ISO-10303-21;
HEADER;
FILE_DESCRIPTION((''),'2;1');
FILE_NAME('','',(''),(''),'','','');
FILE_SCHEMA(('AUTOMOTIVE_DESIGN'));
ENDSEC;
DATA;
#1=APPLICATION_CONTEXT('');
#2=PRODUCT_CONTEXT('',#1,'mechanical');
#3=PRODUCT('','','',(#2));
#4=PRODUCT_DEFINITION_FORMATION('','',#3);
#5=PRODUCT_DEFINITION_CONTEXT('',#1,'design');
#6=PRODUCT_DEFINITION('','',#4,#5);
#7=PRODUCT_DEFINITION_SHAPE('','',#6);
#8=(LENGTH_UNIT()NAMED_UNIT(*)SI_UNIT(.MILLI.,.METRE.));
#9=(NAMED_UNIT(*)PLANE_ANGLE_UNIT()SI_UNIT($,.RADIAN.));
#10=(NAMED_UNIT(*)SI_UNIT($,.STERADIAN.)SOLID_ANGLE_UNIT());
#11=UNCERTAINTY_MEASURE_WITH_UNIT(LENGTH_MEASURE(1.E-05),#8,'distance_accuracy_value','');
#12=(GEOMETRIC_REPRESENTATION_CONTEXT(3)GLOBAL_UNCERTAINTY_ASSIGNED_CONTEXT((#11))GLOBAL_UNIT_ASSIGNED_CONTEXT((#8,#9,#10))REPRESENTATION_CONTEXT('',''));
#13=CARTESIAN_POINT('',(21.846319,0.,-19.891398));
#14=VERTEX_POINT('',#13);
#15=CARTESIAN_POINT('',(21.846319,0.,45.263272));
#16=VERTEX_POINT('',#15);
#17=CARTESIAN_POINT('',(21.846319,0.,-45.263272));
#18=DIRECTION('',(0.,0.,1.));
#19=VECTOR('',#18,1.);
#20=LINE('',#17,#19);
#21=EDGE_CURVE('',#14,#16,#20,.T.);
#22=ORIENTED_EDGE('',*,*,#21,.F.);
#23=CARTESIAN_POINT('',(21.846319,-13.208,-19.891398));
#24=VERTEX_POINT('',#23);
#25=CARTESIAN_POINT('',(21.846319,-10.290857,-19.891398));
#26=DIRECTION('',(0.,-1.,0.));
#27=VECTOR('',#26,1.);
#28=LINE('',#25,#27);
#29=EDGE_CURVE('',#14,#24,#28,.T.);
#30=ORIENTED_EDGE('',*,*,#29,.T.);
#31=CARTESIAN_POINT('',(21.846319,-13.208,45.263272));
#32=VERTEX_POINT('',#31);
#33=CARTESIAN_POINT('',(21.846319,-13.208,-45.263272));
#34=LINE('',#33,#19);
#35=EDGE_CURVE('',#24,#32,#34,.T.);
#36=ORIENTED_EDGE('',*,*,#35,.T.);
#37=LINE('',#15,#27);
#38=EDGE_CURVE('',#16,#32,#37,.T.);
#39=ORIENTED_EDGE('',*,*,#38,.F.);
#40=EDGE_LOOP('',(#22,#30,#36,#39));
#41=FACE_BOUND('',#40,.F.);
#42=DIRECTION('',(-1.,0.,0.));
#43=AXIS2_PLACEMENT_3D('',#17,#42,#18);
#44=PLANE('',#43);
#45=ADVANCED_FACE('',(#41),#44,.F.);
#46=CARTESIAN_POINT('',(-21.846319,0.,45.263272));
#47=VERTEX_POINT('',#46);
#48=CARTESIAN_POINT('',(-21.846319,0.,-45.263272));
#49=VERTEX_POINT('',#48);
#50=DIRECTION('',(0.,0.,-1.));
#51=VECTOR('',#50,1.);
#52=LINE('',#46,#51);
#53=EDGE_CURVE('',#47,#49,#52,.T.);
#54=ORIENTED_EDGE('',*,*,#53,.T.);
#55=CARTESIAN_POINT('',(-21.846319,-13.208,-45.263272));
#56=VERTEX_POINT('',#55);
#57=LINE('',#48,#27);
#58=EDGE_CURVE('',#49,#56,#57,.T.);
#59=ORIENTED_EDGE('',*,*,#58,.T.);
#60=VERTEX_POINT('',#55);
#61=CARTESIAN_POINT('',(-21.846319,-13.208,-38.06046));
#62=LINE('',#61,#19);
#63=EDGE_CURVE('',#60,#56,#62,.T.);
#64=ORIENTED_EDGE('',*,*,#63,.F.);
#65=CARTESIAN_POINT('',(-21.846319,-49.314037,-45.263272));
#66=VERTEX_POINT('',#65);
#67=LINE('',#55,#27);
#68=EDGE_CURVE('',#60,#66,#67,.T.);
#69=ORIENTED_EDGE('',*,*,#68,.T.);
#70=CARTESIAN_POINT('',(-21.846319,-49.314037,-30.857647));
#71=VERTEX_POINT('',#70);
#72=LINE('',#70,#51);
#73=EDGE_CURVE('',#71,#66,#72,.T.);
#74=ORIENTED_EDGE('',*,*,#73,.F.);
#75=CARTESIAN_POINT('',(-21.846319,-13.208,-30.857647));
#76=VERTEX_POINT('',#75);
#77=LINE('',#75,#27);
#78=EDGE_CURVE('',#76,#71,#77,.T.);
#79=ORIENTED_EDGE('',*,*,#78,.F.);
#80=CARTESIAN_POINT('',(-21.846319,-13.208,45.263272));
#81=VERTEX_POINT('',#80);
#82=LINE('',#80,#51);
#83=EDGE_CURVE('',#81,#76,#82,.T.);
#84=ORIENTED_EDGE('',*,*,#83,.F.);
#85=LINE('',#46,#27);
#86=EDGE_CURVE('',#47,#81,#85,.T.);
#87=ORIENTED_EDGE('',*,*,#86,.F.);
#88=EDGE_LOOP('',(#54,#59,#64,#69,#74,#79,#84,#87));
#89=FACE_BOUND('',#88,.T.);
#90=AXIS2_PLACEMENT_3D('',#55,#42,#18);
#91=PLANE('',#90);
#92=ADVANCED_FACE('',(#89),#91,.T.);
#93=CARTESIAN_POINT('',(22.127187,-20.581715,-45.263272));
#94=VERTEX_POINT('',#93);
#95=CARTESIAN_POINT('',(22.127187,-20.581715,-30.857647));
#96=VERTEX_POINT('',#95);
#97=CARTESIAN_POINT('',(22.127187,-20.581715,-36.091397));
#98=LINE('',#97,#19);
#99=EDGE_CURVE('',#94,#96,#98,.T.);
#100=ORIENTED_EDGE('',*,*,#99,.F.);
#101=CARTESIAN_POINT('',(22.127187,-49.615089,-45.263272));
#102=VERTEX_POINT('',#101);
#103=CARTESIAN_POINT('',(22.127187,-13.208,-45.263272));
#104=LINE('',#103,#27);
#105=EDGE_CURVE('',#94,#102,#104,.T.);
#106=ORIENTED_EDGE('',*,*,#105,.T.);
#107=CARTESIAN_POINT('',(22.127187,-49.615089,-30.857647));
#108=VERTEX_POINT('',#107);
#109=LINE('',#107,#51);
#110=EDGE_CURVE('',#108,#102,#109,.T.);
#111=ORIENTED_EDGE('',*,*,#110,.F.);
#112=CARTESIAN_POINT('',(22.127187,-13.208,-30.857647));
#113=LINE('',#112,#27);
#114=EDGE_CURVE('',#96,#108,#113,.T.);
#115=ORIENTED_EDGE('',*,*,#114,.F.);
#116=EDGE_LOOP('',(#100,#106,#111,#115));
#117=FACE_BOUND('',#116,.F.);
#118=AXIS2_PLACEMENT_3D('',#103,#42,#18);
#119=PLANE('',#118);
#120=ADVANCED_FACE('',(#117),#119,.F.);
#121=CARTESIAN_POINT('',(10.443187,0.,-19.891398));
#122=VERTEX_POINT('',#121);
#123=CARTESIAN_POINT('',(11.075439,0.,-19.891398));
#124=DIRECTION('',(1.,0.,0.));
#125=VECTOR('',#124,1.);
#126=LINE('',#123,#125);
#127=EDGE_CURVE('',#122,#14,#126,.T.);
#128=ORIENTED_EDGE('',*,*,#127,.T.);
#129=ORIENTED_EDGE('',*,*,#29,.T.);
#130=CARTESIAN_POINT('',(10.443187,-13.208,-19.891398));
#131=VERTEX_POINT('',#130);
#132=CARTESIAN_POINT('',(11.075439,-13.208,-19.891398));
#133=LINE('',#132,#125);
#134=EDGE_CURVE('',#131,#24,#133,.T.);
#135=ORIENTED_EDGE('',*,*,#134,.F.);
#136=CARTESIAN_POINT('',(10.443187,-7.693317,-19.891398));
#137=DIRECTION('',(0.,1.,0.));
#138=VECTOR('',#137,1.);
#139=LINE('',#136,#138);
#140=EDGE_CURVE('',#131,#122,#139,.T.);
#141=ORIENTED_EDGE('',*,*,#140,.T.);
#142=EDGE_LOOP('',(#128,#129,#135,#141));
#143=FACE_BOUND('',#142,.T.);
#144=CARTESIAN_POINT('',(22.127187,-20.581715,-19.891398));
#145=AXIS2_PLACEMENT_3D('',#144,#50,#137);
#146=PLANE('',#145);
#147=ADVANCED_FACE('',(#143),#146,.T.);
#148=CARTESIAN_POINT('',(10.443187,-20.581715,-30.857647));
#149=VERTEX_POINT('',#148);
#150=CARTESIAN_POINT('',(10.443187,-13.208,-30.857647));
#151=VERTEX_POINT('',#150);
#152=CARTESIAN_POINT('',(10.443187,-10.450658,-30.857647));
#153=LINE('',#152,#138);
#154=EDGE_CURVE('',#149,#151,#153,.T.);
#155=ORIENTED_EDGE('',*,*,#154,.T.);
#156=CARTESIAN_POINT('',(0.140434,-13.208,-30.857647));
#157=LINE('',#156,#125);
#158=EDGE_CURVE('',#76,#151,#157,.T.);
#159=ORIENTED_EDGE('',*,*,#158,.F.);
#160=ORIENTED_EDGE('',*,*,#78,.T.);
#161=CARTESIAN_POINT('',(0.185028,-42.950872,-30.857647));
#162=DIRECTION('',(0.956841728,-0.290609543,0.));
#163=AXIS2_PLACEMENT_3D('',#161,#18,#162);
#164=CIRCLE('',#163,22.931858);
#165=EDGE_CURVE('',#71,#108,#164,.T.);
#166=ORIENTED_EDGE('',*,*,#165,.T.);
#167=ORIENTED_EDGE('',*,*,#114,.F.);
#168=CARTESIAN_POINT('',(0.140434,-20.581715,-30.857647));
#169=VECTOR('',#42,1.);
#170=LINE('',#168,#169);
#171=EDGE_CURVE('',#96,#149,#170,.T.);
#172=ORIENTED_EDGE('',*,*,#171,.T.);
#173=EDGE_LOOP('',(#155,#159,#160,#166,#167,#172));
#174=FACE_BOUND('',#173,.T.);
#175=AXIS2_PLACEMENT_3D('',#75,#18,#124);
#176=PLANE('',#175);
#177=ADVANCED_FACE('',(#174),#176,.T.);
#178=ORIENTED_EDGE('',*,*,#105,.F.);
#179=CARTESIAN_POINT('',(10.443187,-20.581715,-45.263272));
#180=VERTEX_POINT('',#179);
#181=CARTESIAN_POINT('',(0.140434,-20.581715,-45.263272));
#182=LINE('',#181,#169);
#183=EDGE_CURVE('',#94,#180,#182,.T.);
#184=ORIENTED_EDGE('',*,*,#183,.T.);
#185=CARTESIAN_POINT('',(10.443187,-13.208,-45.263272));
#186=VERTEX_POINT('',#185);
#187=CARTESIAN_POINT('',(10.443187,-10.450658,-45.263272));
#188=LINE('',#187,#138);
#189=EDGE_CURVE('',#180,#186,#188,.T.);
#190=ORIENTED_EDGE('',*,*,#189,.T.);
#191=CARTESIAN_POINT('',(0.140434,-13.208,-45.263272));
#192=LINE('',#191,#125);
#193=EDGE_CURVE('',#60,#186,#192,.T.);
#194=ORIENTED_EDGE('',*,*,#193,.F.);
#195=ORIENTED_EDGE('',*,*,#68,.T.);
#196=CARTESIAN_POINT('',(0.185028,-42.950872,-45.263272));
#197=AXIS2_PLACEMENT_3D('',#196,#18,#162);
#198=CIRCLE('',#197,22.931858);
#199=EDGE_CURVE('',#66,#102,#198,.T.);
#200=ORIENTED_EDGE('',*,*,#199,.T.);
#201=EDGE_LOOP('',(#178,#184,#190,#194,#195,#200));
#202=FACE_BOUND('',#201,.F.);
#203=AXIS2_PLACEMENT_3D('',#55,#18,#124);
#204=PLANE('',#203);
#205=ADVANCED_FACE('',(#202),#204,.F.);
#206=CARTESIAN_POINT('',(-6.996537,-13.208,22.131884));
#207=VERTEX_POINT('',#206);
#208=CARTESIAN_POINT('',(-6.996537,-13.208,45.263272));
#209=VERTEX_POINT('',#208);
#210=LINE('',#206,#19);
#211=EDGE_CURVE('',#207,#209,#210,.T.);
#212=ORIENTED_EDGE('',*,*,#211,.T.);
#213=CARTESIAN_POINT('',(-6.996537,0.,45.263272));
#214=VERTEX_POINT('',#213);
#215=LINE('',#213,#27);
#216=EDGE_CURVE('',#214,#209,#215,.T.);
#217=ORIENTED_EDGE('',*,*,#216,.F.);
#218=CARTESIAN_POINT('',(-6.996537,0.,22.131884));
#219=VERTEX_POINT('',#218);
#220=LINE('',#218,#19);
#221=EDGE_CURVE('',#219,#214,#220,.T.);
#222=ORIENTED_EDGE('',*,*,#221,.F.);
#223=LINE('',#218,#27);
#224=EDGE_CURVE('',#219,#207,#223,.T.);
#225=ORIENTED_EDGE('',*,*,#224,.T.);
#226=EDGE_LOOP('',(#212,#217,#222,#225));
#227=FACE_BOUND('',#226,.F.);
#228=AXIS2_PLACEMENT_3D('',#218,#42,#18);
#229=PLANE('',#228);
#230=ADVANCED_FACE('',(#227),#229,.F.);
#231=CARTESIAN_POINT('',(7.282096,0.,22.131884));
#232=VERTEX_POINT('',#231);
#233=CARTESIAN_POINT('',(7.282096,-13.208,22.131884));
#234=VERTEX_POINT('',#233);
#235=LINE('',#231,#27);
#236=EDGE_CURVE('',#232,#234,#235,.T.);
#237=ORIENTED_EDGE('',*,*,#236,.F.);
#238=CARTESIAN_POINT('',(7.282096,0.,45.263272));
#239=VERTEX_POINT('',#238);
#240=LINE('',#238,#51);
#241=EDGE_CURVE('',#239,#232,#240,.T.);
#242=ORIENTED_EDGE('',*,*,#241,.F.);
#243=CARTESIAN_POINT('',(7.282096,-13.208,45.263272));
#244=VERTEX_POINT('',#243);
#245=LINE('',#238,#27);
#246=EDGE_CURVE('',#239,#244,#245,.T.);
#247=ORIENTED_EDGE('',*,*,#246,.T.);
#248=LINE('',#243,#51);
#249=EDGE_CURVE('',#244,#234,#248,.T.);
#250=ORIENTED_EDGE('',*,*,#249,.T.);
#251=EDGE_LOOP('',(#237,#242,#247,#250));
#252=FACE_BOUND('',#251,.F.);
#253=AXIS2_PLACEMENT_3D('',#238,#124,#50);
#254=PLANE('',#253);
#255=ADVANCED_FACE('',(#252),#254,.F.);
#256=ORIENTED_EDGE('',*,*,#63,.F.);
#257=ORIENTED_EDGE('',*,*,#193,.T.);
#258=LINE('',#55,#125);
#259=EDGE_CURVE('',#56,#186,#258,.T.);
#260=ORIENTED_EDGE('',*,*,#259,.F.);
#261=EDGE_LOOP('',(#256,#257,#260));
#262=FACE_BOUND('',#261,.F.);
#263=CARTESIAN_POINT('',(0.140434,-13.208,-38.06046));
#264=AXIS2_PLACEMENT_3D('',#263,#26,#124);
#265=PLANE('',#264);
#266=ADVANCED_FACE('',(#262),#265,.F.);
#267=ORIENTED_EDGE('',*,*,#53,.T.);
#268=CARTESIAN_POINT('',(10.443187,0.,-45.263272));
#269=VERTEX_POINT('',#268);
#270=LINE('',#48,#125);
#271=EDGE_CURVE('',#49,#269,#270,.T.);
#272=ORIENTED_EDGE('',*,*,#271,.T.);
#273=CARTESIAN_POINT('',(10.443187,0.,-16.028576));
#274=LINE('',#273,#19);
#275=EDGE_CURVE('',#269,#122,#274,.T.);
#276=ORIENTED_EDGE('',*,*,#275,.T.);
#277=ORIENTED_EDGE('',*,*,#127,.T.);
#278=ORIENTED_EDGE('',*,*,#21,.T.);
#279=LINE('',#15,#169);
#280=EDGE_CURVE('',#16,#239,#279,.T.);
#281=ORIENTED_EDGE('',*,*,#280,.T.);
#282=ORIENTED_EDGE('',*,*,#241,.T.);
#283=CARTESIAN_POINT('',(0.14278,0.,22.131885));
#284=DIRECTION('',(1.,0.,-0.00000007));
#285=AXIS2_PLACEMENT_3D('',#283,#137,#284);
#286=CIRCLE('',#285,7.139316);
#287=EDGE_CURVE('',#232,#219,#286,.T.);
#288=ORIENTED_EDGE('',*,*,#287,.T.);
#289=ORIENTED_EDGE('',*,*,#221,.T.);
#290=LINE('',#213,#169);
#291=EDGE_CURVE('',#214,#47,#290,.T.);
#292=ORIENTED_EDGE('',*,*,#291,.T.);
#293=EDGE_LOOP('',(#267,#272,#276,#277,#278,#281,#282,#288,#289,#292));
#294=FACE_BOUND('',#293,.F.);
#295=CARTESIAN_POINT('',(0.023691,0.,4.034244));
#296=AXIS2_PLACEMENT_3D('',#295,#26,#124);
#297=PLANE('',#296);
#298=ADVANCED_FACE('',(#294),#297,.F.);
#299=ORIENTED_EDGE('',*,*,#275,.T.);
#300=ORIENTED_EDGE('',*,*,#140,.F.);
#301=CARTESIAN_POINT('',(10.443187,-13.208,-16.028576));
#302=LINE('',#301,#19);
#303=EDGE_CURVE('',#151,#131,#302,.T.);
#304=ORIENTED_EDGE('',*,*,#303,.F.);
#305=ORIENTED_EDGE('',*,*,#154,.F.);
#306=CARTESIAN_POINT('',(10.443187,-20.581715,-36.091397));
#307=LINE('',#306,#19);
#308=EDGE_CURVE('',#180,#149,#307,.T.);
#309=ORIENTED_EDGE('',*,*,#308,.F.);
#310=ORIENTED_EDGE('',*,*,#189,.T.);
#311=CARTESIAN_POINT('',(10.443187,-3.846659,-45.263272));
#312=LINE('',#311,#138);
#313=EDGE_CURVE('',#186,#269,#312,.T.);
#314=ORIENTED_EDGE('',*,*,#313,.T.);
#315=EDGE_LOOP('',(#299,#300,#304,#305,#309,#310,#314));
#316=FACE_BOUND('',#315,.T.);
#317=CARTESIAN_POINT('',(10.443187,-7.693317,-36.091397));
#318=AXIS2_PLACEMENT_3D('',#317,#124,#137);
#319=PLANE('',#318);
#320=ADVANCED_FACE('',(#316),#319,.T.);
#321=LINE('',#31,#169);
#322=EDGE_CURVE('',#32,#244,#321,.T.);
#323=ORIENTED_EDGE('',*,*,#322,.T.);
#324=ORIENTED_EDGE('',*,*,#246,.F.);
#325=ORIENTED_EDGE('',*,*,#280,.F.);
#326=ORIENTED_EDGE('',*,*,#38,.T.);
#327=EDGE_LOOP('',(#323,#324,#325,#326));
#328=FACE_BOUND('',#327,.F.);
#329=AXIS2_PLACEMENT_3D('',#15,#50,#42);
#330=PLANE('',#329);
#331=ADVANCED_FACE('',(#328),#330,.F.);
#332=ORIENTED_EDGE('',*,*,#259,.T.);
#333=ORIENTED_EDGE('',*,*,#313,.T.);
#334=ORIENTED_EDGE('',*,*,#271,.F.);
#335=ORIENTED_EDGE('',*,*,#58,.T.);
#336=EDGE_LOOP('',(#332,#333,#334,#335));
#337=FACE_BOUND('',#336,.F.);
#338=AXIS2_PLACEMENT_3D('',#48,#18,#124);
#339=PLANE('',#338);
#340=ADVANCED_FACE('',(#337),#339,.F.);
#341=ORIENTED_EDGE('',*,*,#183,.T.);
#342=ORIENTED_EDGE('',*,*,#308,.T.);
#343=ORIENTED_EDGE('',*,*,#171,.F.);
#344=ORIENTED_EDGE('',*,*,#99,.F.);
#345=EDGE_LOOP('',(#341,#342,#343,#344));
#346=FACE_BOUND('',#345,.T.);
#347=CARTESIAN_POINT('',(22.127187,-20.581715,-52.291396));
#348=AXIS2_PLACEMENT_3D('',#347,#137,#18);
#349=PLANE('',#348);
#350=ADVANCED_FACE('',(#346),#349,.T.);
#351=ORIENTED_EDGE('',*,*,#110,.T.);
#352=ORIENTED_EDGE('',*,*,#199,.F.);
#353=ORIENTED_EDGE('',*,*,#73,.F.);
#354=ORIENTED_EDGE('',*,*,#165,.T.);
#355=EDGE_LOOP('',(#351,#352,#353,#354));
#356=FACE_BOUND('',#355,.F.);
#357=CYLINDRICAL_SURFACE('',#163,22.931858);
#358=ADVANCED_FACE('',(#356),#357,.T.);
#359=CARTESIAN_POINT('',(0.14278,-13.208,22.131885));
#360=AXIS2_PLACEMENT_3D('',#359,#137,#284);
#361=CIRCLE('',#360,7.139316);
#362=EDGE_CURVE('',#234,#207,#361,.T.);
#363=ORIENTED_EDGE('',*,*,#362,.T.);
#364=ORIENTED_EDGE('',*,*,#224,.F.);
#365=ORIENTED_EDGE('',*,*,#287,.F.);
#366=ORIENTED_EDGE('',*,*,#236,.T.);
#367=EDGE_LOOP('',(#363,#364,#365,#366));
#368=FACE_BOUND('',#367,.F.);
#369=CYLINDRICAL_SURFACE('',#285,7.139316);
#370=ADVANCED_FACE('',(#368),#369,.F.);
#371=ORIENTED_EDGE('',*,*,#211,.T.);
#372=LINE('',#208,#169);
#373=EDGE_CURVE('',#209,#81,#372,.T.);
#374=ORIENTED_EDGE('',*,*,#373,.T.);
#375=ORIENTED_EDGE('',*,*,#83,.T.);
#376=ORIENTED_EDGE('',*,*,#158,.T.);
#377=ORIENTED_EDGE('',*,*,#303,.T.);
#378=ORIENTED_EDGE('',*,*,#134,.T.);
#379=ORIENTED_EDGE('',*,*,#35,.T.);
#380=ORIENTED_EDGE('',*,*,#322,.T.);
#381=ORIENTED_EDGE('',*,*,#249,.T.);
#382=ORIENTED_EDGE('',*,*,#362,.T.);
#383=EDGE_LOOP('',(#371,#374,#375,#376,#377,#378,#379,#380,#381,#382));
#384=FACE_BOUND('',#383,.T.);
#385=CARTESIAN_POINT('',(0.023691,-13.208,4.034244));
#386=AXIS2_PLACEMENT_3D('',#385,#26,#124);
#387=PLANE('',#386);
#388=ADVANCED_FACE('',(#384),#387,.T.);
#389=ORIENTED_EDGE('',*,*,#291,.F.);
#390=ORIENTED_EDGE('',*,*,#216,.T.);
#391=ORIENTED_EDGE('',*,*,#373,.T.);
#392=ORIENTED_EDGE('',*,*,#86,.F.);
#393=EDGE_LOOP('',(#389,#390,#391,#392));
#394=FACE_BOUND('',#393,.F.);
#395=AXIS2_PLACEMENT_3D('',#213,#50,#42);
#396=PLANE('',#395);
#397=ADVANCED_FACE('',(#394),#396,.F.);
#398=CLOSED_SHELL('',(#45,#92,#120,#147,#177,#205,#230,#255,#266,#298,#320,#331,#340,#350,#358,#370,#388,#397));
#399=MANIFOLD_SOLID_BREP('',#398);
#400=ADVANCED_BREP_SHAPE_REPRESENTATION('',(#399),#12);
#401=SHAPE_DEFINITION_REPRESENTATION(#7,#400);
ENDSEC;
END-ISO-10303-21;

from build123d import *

# Parameters (mm, degrees)
F1_DEPTH = 13.208
F2_W     = 43.973506
F2_H     = 14.405625
F3_DEPTH = 53.848
F5_DEPTH = 25.4
F6_W     = 25.776795
F6_H     = 32.399999
F7_DEPTH = 11.684


with BuildPart() as f1:
    # F0 (on Front) → F1 (new body)
    with BuildSketch(Plane.XZ):
        with BuildLine():
            Line((-6.996537, 45.263272), (-21.846319, 45.263272))
            Line((-21.846319, 45.263272), (-21.846319, -45.263272))
            Line((-21.846319, -45.263272), (21.846319, -45.263272))
            Line((21.846319, -45.263272), (21.846319, 45.263272))
            Line((21.846319, 45.263272), (7.282096, 45.263272))
            Line((7.282096, 45.263272), (7.282096, 22.131884))
            ThreePointArc((7.282096, 22.131884), (0.14278, 14.992568), (-6.996537, 22.131884))
            Line((-6.996537, 22.131884), (-6.996537, 45.263272))
        make_face()
    extrude(amount=F1_DEPTH)

    # F2 (on face) → F3 (join)
    with BuildSketch(Plane.XZ.offset(13.208)):
        with Locations((0.140434, -38.06046)):
            Rectangle(F2_W, F2_H)
    extrude(amount=F3_DEPTH)

    # F4 (on face) → F5 (cut)
    with BuildSketch(Plane.XY.offset(-30.857647)):
        with BuildLine():
            ThreePointArc((22.127187, -49.615089), (0.028036, -65.882193), (-21.846319, -49.314037))
            Line((-21.846319, -49.314037), (-21.846319, -67.056))
            Line((-21.846319, -67.056), (22.127187, -67.056))
            Line((22.127187, -67.056), (22.127187, -49.615089))
        make_face()
    extrude(amount=-F5_DEPTH, mode=Mode.SUBTRACT)

    # F6 (on face) → F7 (cut)
    with BuildSketch(Plane.YZ.offset(22.127187)):
        with Locations((-7.693317, -36.091397)):
            Rectangle(F6_W, F6_H)
    extrude(amount=-F7_DEPTH, mode=Mode.SUBTRACT)


solid = f1.part
